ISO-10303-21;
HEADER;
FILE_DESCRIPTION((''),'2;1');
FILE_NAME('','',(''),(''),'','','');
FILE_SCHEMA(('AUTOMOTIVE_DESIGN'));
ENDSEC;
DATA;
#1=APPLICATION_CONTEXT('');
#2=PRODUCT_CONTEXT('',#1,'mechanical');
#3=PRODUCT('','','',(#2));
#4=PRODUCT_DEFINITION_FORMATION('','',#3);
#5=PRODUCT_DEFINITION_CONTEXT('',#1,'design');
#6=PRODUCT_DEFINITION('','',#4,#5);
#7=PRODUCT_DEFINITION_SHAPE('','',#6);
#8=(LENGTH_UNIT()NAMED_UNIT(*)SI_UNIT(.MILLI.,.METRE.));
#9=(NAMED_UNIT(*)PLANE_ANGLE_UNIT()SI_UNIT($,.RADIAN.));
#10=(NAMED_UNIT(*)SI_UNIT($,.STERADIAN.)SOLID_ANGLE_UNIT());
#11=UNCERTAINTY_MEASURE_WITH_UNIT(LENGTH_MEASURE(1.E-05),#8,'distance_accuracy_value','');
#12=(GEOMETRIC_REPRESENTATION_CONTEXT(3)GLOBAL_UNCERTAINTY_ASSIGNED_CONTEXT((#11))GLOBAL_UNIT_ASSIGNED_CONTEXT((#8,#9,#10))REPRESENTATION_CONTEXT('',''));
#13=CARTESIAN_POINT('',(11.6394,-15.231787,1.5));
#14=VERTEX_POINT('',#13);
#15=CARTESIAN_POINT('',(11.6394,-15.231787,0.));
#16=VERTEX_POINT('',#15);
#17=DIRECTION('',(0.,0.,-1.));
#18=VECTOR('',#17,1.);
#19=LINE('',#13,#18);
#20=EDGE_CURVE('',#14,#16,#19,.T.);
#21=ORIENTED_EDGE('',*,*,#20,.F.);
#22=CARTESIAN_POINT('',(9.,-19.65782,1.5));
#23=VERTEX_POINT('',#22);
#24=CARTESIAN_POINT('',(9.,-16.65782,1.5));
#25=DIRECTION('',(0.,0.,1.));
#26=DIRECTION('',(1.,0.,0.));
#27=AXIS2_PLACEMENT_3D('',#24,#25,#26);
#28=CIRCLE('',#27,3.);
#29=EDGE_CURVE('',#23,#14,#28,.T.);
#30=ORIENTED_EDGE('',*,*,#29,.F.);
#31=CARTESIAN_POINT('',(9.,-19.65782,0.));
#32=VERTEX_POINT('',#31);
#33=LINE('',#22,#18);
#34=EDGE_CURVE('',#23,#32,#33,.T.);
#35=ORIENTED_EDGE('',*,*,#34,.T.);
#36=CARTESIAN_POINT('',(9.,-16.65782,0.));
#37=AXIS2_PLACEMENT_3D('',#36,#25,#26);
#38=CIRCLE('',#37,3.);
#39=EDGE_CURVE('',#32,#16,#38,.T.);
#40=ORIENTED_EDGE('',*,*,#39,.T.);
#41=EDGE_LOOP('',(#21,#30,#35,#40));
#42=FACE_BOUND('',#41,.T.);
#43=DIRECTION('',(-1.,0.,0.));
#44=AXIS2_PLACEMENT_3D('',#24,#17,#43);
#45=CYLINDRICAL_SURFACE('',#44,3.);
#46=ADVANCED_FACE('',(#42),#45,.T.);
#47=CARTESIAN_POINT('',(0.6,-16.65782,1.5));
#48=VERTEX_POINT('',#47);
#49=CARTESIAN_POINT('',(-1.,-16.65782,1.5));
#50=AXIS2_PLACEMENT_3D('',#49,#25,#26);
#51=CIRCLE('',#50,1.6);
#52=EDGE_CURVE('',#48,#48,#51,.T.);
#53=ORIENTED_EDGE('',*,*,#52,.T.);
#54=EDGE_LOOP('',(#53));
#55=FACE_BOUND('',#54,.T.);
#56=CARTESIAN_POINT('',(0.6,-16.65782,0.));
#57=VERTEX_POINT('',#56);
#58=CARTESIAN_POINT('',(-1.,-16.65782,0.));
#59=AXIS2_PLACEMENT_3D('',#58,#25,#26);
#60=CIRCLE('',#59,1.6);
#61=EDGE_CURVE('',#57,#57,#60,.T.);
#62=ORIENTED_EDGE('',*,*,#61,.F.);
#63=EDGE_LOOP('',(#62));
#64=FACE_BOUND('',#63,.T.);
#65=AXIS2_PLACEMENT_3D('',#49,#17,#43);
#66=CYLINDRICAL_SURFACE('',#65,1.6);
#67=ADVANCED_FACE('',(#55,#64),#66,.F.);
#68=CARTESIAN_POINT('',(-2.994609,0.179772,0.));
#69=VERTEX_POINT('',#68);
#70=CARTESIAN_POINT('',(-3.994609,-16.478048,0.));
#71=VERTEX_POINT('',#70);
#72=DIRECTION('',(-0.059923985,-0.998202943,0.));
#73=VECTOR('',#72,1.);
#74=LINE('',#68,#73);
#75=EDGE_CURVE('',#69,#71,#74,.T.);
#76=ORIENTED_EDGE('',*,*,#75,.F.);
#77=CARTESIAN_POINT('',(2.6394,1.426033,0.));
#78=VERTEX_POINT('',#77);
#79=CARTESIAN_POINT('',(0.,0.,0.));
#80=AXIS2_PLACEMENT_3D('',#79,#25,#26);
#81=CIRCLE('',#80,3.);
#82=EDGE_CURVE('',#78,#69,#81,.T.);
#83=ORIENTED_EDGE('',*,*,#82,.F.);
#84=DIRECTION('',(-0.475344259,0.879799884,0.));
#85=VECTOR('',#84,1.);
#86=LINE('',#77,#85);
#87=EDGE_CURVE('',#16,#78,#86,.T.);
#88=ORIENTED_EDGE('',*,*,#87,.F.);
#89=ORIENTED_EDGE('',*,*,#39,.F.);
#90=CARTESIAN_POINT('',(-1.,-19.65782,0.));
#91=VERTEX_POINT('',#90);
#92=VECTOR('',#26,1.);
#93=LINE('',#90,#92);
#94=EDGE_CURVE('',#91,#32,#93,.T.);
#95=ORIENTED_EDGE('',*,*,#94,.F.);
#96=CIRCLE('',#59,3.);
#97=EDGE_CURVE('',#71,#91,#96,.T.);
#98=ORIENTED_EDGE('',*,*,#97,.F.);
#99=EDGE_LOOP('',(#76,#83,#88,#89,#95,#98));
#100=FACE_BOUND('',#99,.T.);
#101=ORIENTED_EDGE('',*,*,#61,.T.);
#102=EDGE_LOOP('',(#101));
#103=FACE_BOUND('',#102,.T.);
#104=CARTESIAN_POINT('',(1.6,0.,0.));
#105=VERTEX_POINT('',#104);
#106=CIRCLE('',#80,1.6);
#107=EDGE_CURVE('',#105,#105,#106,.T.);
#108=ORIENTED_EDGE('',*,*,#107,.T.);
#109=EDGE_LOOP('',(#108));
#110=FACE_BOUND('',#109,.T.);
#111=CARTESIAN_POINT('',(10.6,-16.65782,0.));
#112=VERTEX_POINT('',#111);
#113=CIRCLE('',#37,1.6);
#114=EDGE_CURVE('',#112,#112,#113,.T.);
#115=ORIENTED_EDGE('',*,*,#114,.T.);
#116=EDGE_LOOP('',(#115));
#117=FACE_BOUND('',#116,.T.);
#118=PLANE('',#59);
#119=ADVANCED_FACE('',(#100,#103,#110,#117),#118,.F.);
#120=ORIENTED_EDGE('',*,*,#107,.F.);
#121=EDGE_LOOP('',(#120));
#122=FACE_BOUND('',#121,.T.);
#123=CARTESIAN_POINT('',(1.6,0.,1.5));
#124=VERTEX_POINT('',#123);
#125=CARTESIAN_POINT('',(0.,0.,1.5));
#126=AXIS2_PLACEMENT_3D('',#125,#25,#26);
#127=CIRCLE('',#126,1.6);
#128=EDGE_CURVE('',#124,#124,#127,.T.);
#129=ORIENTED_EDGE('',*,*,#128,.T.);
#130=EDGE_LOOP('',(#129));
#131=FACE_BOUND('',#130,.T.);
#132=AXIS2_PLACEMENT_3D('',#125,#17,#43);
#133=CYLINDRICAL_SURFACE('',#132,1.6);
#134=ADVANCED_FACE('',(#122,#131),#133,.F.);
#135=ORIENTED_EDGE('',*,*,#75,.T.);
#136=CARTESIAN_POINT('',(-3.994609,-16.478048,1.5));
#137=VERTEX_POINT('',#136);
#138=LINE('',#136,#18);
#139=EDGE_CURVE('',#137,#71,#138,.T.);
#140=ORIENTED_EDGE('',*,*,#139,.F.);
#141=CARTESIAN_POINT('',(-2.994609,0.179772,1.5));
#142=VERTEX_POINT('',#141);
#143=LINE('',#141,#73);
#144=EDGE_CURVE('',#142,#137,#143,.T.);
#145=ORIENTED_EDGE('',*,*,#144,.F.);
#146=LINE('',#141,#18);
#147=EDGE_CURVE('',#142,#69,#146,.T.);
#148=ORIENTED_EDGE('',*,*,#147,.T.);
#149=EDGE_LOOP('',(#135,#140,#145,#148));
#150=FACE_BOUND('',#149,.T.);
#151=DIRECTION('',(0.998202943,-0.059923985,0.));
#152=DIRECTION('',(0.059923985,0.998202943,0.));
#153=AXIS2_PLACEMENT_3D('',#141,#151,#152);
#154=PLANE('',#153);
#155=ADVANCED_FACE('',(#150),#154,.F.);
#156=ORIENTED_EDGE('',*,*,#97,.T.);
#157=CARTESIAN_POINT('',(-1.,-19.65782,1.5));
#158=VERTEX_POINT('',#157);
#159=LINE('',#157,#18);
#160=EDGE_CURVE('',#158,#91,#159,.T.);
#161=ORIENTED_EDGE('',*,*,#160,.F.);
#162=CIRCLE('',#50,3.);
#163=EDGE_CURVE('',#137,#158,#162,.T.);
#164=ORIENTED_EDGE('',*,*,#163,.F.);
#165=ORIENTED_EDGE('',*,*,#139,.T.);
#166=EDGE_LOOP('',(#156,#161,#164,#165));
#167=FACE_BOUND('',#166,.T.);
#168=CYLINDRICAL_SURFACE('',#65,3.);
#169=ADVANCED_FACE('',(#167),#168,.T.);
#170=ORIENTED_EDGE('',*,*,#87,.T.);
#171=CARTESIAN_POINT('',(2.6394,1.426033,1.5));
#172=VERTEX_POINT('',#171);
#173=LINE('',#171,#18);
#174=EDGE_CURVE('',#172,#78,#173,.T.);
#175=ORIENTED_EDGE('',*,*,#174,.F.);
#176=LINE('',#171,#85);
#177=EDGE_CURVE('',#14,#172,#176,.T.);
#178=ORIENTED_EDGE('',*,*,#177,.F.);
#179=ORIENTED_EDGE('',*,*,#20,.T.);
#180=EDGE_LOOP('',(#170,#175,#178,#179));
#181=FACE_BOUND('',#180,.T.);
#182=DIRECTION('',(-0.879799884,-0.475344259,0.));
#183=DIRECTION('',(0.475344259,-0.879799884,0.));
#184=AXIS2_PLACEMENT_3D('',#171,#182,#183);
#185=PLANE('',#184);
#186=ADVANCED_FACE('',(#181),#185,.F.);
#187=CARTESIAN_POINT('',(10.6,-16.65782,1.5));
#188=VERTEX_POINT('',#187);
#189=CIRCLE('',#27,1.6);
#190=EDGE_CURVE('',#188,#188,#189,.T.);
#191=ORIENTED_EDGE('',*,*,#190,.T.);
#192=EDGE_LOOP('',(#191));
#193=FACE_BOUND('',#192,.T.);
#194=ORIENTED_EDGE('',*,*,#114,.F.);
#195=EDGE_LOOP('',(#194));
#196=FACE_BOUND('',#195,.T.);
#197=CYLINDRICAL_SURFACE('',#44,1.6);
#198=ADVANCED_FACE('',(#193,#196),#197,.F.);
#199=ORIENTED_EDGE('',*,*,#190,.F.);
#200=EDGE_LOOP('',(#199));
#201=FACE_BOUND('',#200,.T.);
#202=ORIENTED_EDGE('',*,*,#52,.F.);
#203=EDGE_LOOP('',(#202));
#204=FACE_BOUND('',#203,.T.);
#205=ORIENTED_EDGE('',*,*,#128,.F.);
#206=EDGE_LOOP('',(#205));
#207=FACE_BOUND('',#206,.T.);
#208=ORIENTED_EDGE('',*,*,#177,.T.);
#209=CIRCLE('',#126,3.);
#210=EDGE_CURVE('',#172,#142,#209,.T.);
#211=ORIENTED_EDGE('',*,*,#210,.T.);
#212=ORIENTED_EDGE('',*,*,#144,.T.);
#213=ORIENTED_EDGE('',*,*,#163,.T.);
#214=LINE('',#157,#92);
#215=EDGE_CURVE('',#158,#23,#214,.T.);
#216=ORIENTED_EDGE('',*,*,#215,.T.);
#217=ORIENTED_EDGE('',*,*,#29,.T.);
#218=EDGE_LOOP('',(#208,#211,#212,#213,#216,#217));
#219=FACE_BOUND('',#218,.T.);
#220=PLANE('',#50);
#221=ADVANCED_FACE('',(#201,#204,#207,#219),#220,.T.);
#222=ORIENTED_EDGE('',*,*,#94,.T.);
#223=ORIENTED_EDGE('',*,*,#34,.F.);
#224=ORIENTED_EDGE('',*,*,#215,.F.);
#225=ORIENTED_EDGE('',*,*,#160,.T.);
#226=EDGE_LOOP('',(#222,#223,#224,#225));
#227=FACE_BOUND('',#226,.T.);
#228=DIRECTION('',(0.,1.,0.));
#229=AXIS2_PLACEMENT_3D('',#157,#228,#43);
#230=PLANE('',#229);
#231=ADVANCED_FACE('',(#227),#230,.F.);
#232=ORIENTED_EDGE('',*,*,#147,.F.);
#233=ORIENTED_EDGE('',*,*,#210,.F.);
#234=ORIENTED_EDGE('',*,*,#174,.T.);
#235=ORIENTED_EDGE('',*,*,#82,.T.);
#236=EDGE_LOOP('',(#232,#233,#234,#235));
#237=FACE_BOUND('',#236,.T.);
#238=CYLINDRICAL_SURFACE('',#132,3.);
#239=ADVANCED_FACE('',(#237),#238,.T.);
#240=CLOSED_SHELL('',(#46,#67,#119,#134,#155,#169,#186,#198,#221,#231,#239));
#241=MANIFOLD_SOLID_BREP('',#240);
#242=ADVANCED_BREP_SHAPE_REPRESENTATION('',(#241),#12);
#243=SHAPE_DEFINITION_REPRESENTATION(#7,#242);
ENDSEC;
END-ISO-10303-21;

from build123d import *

# Parameters (mm, degrees)
SKETCH1_R           = 1.6
BOSS_EXTRUDE6_DEPTH = 1.5


with BuildPart() as part:
    # Sketch1 → Boss-Extrude6 (new body)
    with BuildSketch(Plane.XY):
        with BuildLine():
            Line((-1, -19.657819664), (9, -19.657819664))
            ThreePointArc((9, -19.657819664), (11.576635241, -18.194358252), (11.639399651, -15.231786885))
            Line((11.639399651, -15.231786885), (2.639399651, 1.426032778))
            ThreePointArc((2.639399651, 1.426032778), (-0.647946679, 2.929191885), (-2.99460883, 0.179771956))
            Line((-2.99460883, 0.179771956), (-3.99460883, -16.478047707))
            ThreePointArc((-3.99460883, -16.478047707), (-3.183954655, -18.714599201), (-1, -19.657819664))
        make_face()
        Circle(SKETCH1_R, mode=Mode.SUBTRACT)
        with Locations((9, -16.657819664)):
            Circle(SKETCH1_R, mode=Mode.SUBTRACT)
        with Locations((-1, -16.657819664)):
            Circle(SKETCH1_R, mode=Mode.SUBTRACT)
    extrude(amount=BOSS_EXTRUDE6_DEPTH)


solid = part.part
